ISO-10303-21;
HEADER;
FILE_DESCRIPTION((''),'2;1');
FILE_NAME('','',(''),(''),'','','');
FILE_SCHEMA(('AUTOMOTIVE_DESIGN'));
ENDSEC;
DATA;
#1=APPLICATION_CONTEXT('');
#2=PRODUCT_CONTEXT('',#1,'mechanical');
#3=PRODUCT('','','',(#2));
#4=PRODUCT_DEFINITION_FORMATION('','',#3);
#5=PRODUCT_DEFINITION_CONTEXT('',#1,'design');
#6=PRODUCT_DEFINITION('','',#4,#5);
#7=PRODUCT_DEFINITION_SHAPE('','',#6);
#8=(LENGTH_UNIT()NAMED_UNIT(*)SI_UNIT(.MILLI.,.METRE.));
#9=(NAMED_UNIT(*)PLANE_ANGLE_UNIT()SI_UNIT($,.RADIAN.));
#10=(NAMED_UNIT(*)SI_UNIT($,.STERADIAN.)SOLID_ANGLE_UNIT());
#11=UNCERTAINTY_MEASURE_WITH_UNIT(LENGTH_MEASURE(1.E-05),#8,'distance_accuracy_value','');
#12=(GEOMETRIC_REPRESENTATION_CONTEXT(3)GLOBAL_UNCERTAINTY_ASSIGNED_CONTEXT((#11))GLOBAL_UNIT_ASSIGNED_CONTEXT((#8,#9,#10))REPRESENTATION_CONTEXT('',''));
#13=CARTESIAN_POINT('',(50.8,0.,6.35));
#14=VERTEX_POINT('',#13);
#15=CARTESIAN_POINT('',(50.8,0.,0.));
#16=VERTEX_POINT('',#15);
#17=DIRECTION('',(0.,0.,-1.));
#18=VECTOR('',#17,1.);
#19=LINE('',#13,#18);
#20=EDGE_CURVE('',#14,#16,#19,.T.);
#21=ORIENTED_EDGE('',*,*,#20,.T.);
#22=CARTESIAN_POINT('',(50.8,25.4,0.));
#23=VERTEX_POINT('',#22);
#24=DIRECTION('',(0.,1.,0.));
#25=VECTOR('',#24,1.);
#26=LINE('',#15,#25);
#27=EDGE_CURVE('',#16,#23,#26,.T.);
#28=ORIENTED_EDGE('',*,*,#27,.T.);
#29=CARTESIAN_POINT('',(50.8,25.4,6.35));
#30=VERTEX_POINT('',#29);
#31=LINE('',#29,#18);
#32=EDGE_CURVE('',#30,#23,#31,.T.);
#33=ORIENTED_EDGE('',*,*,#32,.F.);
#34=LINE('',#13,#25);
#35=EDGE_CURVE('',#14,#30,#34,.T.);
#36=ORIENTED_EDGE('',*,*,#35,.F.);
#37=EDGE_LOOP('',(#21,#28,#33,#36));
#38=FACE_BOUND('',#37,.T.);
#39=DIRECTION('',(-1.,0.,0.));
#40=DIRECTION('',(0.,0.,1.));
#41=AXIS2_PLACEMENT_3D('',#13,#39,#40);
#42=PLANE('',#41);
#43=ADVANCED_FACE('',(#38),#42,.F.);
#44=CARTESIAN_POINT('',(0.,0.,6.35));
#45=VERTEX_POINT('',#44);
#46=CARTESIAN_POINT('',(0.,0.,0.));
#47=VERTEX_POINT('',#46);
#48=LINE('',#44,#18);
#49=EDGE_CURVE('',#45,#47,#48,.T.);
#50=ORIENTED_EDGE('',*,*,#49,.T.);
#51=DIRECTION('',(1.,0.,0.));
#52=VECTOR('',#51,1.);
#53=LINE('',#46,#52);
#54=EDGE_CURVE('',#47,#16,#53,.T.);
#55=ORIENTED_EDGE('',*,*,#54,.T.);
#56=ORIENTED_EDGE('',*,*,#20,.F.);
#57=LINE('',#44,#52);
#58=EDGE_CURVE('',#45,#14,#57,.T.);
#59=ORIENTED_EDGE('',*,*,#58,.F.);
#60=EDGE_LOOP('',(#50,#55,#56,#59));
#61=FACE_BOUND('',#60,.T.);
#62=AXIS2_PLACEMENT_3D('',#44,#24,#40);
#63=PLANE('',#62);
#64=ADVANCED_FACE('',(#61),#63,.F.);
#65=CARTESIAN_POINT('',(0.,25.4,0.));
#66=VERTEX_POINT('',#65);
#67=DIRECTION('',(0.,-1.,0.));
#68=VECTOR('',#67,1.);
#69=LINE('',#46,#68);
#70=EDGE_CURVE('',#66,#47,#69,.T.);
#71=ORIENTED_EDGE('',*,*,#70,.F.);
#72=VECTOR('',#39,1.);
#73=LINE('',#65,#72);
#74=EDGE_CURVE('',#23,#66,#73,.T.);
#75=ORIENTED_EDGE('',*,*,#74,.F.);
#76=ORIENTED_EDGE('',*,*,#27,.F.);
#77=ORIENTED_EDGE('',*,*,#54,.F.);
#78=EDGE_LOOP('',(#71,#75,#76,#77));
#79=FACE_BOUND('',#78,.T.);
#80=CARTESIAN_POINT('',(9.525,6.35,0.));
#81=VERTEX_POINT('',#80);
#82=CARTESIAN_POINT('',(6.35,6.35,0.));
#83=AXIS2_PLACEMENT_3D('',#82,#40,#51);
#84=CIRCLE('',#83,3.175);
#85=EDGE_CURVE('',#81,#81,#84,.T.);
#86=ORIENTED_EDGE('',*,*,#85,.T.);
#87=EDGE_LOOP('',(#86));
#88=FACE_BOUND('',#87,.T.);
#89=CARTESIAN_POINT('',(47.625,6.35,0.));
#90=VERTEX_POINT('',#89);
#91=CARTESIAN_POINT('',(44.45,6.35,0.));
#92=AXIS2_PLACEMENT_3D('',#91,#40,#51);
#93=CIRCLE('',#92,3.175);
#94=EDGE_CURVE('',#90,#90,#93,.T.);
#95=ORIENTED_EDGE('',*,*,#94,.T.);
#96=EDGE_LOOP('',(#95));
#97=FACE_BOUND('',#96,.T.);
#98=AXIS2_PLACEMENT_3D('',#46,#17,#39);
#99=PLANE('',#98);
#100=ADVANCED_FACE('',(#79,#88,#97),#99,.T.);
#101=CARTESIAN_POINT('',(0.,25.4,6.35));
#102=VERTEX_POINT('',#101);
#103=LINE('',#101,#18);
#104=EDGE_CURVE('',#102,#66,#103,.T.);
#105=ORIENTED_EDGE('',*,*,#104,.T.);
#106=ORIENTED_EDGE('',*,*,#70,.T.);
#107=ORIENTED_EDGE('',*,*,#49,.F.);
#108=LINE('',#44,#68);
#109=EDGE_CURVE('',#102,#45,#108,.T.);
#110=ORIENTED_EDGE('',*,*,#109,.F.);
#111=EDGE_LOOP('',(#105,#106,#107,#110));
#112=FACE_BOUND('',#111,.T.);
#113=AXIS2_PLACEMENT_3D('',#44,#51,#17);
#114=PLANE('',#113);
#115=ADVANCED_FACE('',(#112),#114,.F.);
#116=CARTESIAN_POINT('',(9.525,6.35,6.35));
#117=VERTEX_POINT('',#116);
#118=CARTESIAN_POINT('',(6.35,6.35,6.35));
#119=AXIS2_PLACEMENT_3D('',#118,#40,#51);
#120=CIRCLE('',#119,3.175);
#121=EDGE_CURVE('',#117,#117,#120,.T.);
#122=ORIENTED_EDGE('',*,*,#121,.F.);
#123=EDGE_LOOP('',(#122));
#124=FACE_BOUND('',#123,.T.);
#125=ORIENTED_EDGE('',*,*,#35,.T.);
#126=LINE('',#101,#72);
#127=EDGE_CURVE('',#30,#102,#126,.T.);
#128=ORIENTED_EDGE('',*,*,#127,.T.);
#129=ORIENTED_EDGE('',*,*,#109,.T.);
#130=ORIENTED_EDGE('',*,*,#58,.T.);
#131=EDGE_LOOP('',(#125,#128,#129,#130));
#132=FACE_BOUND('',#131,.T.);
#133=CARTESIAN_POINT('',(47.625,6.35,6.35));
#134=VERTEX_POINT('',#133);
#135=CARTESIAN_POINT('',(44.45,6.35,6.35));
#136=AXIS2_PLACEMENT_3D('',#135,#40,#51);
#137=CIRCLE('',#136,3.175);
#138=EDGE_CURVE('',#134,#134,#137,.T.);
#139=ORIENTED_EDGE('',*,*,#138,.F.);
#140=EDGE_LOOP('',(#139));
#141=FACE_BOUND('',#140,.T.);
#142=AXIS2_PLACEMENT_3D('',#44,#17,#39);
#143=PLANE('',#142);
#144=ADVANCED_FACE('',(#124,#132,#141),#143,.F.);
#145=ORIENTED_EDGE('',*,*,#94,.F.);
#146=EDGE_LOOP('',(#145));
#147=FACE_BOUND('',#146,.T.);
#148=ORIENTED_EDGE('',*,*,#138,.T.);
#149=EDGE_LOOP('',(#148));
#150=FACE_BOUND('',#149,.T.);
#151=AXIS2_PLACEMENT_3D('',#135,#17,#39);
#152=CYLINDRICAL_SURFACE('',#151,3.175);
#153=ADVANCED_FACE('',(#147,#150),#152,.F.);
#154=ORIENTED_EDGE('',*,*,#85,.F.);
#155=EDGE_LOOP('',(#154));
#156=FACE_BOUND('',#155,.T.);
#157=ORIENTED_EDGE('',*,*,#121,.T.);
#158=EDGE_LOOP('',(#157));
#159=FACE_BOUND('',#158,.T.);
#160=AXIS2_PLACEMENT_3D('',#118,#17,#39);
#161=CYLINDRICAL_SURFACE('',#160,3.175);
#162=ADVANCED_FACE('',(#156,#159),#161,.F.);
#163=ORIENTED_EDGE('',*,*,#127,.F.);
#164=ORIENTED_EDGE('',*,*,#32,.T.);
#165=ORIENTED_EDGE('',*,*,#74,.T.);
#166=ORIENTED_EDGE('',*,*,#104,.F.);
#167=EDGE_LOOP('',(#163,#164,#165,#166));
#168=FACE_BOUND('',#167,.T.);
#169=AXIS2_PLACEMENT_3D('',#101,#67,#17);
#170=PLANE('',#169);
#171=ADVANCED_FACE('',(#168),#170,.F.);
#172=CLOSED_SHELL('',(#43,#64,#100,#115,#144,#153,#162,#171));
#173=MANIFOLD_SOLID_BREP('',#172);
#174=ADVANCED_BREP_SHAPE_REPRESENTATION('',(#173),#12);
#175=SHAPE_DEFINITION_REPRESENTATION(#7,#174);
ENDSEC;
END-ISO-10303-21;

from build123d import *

# Parameters (mm, degrees)
SKETCH1_W           = 50.8
SKETCH1_H           = 25.4
SKETCH1_R           = 3.175
BOSS_EXTRUDE1_DEPTH = 6.35


with BuildPart() as part:
    # Sketch1 → Boss-Extrude1 (new body)
    with BuildSketch(Plane.XY):
        with Locations((25.4, 12.7)):
            Rectangle(SKETCH1_W, SKETCH1_H)
        with Locations((6.35, 6.35)):
            Circle(SKETCH1_R, mode=Mode.SUBTRACT)
        with Locations((44.45, 6.35)):
            Circle(SKETCH1_R, mode=Mode.SUBTRACT)
    extrude(amount=BOSS_EXTRUDE1_DEPTH)


solid = part.part
